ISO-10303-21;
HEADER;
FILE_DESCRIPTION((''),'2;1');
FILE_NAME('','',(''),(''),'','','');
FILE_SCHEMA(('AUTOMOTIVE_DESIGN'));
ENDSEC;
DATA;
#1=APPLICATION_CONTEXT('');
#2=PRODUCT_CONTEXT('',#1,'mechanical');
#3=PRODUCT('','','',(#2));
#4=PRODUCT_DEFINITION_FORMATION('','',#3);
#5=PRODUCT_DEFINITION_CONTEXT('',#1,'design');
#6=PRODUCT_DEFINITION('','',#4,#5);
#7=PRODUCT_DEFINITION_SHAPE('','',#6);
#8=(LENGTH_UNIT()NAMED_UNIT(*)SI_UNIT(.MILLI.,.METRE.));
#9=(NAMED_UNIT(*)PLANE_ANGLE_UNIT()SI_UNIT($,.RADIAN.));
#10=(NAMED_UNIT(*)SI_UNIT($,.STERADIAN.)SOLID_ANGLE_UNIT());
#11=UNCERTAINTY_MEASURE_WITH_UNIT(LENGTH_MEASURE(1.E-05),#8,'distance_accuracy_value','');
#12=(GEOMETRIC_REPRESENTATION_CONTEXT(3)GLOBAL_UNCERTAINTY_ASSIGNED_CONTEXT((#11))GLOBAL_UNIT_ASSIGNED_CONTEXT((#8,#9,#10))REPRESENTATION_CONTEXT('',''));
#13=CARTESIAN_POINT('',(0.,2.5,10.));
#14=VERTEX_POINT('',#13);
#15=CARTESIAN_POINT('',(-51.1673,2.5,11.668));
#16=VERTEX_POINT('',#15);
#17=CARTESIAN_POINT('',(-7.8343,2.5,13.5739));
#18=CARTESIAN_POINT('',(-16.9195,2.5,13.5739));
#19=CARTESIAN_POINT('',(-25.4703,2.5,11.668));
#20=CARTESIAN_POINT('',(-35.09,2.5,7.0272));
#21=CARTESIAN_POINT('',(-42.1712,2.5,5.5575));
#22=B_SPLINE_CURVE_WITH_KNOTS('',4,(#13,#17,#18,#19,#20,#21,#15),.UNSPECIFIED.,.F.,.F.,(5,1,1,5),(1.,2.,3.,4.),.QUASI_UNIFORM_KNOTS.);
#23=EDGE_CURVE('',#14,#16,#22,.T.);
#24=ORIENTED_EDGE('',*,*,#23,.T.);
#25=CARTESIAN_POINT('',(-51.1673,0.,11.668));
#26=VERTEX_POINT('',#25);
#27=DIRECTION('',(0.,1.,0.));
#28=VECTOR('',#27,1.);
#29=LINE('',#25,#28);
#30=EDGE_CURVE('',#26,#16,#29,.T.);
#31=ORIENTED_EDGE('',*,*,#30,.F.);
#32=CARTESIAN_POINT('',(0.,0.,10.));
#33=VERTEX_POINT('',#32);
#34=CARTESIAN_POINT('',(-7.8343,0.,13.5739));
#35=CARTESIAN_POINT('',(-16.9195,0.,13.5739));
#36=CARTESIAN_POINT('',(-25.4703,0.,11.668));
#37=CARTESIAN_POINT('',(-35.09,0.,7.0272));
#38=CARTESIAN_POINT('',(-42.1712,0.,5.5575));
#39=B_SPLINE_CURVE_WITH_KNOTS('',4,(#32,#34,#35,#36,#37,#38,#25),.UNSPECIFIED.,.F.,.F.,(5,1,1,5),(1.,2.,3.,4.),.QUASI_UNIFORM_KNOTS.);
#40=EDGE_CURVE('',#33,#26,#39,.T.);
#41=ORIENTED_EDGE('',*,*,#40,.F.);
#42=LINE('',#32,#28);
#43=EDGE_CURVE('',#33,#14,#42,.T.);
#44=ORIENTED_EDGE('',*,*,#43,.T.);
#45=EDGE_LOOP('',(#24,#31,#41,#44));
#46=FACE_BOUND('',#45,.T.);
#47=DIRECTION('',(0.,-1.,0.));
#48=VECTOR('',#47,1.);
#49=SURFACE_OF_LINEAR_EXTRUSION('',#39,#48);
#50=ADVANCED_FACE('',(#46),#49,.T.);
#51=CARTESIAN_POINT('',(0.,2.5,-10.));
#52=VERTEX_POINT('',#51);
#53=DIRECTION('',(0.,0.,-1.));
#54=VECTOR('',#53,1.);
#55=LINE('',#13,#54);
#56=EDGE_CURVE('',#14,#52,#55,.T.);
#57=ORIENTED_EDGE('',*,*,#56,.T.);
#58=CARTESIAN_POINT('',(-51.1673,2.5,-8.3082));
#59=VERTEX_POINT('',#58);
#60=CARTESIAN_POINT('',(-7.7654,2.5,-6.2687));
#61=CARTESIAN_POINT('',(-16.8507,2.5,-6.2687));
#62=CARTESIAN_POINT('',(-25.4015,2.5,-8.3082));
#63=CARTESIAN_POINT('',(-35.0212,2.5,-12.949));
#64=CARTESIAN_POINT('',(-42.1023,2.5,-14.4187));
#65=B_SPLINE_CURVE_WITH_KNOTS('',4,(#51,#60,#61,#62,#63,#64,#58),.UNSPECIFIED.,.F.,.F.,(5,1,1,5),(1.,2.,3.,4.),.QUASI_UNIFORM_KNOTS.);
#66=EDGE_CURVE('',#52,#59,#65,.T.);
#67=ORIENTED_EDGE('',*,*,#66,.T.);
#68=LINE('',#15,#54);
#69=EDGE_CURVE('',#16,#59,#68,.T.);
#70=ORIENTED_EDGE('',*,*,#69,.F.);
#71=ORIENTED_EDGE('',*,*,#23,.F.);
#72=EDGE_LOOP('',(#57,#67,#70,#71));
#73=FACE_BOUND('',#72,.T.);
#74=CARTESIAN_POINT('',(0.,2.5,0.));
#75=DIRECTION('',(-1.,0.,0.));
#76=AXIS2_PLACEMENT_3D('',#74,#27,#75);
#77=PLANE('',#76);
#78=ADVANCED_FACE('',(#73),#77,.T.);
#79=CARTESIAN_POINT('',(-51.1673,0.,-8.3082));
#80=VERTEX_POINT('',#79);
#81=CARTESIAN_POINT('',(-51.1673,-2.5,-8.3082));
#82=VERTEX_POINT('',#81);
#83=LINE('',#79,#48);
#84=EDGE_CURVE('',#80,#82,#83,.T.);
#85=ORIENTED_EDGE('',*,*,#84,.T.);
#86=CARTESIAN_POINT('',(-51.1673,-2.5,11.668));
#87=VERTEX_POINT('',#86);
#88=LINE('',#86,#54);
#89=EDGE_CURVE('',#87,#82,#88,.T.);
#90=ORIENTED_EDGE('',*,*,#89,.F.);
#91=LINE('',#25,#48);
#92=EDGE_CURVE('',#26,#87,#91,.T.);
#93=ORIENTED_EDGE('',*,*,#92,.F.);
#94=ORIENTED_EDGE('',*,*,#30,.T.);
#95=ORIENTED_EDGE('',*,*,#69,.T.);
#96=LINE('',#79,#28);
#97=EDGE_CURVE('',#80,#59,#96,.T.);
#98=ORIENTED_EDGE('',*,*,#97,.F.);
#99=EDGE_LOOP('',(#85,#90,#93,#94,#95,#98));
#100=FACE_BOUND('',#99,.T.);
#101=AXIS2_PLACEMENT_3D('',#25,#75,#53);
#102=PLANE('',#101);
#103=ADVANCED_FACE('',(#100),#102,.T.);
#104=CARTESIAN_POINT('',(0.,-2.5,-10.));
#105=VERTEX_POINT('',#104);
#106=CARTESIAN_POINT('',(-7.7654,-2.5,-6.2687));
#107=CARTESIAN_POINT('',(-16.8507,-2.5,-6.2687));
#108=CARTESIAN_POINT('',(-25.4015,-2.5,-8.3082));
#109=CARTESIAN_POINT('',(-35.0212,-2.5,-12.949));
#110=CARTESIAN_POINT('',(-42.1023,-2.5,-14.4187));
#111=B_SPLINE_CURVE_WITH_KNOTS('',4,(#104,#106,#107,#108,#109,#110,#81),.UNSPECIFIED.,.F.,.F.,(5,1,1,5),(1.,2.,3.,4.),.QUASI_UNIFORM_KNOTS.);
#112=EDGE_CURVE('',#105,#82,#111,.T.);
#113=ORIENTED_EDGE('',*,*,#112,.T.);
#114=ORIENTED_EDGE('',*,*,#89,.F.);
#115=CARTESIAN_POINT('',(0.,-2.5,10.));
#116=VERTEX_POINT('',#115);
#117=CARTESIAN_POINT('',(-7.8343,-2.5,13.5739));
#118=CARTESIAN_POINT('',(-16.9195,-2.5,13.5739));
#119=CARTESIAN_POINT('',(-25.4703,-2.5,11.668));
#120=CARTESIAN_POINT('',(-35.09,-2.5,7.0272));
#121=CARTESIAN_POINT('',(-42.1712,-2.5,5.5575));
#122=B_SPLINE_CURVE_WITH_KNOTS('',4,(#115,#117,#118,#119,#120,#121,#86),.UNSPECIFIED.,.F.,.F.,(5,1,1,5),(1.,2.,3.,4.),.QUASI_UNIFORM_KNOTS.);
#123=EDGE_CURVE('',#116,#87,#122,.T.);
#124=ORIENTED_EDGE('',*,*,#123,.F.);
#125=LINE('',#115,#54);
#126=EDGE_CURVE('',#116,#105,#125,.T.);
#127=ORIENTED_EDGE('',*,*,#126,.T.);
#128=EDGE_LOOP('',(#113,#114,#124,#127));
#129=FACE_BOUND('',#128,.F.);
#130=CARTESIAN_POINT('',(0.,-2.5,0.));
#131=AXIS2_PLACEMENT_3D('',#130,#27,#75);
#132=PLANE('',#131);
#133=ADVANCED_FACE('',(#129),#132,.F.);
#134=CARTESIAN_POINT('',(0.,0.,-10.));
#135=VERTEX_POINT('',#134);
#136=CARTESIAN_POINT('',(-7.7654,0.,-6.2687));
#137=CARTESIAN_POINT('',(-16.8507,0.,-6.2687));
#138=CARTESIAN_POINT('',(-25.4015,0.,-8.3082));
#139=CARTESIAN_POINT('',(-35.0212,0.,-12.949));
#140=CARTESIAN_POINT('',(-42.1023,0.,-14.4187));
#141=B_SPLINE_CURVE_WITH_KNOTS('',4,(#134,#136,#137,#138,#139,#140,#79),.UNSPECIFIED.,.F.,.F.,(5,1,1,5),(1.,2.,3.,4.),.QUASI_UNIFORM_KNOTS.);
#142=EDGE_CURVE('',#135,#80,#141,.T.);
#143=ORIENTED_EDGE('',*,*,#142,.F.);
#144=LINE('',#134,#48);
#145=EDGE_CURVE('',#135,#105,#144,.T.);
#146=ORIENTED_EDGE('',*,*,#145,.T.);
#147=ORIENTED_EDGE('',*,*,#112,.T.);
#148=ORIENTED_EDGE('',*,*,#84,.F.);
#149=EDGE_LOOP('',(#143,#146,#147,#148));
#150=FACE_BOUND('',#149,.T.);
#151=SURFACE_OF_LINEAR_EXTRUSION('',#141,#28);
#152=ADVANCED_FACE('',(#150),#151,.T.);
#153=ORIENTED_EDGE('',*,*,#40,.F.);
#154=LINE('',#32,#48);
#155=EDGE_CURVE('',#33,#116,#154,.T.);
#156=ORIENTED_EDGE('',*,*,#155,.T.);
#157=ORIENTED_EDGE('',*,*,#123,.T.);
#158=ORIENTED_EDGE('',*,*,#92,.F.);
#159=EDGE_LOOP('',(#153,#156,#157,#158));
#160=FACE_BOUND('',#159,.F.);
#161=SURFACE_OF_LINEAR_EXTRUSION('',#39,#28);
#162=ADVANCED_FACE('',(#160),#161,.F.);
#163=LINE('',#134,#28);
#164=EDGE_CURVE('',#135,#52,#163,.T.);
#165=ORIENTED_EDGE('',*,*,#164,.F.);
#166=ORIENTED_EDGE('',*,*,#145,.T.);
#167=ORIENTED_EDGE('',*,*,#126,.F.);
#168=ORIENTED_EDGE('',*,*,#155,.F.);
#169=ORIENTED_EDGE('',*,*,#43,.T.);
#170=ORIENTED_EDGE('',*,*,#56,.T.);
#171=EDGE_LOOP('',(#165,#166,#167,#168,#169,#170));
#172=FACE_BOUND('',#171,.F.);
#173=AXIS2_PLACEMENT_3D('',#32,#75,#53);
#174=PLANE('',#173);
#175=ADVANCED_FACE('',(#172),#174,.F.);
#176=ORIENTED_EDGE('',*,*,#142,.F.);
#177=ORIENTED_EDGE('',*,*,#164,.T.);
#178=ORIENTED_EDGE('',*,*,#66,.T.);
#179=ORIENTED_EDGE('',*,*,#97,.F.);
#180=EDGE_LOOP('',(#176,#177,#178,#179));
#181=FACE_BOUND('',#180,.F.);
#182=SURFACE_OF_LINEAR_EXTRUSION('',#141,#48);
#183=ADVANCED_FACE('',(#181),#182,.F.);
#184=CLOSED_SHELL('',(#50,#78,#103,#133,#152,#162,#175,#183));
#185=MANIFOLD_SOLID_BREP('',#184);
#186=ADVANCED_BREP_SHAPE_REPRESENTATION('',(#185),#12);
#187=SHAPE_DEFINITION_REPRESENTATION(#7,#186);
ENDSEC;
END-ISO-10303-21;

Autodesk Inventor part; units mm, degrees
ref_plane "YZ Plane" through (0, 0, 0) normal (1, 0, 0) x (0, 1, 0)
ref_plane "XZ Plane" through (0, 0, 0) normal (0, 1, 0) x (-1, 0, 0)
ref_plane "XY Plane" through (0, 0, 0) normal (0, 0, 1) x (1, 0, 0)
sketch "Sketch1" plane through (0, 0, 0) normal (0, 1, 0) x (-1, 0, 0)
  line L0 (0, 10) -> (0, -10)
  line L1 (51.1673, 11.668) -> (51.1673, -8.3082)
  line L2 (0, 10) -> (7.8343, 13.5739) construction
  line L3 (7.8343, 13.5739) -> (16.9195, 13.5739) construction
  line L4 (16.9195, 13.5739) -> (25.4703, 11.668) construction
  line L5 (25.4703, 11.668) -> (35.09, 7.0272) construction
  line L6 (35.09, 7.0272) -> (42.1712, 5.5575) construction
  line L7 (42.1712, 5.5575) -> (51.1673, 11.668) construction
  spline S0 degree 4 poles (0, 10) (7.8343, 13.5739) (16.9195, 13.5739) (25.4703, 11.668) (35.09, 7.0272) (42.1712, 5.5575) (51.1673, 11.668) knots 1 1 1 1 1 2 3 4 4 4 4 4
  line L8 (0, -10) -> (7.7654, -6.2687) construction
  line L9 (7.7654, -6.2687) -> (16.8507, -6.2687) construction
  line L10 (16.8507, -6.2687) -> (25.4015, -8.3082) construction
  line L11 (25.4015, -8.3082) -> (35.0212, -12.949) construction
  line L12 (35.0212, -12.949) -> (42.1023, -14.4187) construction
  line L13 (42.1023, -14.4187) -> (51.1673, -8.3082) construction
  spline S1 degree 4 poles (0, -10) (7.7654, -6.2687) (16.8507, -6.2687) (25.4015, -8.3082) (35.0212, -12.949) (42.1023, -14.4187) (51.1673, -8.3082) knots 1 1 1 1 1 2 3 4 4 4 4 4
  point P0 (0, 0)
extrude "Extrusion1" add sketch "Sketch1" along normal mid plane 5
properties part number "ThickThinProfile"
